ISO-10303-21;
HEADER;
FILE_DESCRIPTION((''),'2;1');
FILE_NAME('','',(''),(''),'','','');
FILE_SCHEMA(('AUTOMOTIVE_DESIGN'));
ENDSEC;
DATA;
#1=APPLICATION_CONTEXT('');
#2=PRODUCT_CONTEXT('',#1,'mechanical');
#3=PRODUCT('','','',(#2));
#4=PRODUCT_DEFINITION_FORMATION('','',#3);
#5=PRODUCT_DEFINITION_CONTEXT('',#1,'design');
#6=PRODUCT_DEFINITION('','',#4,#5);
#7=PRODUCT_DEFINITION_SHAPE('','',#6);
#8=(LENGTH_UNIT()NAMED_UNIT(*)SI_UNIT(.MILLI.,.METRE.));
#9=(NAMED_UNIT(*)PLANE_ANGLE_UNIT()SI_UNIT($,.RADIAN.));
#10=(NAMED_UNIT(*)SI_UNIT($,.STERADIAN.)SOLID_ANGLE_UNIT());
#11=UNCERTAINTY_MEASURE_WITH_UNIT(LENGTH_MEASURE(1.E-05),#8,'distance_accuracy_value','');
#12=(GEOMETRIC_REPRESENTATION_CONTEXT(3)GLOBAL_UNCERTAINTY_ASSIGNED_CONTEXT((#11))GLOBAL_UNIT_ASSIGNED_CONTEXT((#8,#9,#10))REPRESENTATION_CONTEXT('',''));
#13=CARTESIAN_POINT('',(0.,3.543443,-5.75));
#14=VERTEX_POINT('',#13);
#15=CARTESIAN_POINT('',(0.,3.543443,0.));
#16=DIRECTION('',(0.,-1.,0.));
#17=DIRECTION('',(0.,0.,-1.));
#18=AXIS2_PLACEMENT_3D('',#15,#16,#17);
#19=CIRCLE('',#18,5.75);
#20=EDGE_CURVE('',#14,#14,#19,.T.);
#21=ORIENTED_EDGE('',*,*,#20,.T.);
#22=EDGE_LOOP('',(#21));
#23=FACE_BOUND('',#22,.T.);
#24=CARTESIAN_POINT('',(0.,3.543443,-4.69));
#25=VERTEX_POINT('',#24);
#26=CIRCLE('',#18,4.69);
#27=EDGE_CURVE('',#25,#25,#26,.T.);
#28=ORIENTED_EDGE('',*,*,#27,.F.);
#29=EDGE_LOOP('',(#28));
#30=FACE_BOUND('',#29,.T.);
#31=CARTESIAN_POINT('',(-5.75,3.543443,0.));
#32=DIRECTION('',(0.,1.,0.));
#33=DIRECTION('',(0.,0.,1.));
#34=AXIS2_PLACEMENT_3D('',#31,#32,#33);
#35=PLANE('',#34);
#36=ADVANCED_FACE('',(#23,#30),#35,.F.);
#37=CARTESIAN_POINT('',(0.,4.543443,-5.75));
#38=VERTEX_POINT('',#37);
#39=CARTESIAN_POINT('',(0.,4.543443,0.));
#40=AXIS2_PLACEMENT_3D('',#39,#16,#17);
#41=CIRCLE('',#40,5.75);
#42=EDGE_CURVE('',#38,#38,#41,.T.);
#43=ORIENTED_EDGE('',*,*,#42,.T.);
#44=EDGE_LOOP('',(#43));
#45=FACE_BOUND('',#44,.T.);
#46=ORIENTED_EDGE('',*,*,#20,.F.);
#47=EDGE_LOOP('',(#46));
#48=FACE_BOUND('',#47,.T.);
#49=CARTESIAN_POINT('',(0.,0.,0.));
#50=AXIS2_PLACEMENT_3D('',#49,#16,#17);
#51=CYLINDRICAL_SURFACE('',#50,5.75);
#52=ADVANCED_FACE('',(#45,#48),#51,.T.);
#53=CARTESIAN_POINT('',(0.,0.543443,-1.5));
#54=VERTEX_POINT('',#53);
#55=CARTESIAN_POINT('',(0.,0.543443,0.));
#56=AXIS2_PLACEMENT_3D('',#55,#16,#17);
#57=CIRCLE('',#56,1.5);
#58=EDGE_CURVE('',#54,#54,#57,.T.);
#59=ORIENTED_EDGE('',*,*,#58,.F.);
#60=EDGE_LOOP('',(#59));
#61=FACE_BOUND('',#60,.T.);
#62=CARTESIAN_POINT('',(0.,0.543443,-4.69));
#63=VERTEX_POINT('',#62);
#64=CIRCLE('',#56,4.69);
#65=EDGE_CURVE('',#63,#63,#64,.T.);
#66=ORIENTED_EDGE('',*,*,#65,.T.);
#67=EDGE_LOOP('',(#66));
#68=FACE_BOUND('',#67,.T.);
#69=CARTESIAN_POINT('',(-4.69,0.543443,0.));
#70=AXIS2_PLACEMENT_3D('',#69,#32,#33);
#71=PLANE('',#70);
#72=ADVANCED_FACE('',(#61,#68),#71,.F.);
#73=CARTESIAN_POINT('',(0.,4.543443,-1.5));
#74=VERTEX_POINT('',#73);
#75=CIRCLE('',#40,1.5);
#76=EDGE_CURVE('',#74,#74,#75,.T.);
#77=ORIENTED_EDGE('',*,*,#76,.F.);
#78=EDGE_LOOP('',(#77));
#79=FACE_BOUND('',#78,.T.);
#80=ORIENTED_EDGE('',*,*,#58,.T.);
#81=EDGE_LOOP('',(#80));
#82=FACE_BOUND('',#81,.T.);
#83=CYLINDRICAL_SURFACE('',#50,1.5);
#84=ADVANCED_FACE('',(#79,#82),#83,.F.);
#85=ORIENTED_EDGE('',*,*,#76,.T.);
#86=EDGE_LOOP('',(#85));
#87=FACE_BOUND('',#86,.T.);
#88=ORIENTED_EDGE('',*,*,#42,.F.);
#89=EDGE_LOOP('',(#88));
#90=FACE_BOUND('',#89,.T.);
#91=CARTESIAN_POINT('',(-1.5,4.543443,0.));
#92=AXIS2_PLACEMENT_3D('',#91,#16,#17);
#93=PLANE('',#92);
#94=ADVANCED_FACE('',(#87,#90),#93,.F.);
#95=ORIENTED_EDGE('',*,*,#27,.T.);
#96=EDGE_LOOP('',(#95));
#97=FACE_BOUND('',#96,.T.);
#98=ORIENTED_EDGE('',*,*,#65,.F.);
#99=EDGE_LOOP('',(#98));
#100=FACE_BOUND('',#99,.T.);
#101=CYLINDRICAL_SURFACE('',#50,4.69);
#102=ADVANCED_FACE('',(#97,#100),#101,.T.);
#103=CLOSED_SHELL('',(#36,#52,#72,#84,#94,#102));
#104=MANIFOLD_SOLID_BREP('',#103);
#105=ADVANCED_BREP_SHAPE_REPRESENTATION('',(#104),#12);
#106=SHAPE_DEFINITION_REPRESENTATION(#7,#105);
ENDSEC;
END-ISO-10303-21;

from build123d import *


with BuildPart() as part:
    # Sketch1 → Revolve1 (revolve)
    with BuildSketch(Plane.XY, mode=Mode.PRIVATE) as revolve1_sk:
        Polygon((-1.5, 0.543442623), (-1.5, 4.543442623), (-5.75, 4.543442623), (-5.75, 3.543442623), (-4.69, 3.543442623), (-4.69, 0.543442623), align=None)
    revolve(revolve1_sk.sketch.rotate(Axis((0, 0, 0), (0, 1, 0)), 270), axis=Axis((0, 0, 0), (0, 1, 0)))


solid = part.part
